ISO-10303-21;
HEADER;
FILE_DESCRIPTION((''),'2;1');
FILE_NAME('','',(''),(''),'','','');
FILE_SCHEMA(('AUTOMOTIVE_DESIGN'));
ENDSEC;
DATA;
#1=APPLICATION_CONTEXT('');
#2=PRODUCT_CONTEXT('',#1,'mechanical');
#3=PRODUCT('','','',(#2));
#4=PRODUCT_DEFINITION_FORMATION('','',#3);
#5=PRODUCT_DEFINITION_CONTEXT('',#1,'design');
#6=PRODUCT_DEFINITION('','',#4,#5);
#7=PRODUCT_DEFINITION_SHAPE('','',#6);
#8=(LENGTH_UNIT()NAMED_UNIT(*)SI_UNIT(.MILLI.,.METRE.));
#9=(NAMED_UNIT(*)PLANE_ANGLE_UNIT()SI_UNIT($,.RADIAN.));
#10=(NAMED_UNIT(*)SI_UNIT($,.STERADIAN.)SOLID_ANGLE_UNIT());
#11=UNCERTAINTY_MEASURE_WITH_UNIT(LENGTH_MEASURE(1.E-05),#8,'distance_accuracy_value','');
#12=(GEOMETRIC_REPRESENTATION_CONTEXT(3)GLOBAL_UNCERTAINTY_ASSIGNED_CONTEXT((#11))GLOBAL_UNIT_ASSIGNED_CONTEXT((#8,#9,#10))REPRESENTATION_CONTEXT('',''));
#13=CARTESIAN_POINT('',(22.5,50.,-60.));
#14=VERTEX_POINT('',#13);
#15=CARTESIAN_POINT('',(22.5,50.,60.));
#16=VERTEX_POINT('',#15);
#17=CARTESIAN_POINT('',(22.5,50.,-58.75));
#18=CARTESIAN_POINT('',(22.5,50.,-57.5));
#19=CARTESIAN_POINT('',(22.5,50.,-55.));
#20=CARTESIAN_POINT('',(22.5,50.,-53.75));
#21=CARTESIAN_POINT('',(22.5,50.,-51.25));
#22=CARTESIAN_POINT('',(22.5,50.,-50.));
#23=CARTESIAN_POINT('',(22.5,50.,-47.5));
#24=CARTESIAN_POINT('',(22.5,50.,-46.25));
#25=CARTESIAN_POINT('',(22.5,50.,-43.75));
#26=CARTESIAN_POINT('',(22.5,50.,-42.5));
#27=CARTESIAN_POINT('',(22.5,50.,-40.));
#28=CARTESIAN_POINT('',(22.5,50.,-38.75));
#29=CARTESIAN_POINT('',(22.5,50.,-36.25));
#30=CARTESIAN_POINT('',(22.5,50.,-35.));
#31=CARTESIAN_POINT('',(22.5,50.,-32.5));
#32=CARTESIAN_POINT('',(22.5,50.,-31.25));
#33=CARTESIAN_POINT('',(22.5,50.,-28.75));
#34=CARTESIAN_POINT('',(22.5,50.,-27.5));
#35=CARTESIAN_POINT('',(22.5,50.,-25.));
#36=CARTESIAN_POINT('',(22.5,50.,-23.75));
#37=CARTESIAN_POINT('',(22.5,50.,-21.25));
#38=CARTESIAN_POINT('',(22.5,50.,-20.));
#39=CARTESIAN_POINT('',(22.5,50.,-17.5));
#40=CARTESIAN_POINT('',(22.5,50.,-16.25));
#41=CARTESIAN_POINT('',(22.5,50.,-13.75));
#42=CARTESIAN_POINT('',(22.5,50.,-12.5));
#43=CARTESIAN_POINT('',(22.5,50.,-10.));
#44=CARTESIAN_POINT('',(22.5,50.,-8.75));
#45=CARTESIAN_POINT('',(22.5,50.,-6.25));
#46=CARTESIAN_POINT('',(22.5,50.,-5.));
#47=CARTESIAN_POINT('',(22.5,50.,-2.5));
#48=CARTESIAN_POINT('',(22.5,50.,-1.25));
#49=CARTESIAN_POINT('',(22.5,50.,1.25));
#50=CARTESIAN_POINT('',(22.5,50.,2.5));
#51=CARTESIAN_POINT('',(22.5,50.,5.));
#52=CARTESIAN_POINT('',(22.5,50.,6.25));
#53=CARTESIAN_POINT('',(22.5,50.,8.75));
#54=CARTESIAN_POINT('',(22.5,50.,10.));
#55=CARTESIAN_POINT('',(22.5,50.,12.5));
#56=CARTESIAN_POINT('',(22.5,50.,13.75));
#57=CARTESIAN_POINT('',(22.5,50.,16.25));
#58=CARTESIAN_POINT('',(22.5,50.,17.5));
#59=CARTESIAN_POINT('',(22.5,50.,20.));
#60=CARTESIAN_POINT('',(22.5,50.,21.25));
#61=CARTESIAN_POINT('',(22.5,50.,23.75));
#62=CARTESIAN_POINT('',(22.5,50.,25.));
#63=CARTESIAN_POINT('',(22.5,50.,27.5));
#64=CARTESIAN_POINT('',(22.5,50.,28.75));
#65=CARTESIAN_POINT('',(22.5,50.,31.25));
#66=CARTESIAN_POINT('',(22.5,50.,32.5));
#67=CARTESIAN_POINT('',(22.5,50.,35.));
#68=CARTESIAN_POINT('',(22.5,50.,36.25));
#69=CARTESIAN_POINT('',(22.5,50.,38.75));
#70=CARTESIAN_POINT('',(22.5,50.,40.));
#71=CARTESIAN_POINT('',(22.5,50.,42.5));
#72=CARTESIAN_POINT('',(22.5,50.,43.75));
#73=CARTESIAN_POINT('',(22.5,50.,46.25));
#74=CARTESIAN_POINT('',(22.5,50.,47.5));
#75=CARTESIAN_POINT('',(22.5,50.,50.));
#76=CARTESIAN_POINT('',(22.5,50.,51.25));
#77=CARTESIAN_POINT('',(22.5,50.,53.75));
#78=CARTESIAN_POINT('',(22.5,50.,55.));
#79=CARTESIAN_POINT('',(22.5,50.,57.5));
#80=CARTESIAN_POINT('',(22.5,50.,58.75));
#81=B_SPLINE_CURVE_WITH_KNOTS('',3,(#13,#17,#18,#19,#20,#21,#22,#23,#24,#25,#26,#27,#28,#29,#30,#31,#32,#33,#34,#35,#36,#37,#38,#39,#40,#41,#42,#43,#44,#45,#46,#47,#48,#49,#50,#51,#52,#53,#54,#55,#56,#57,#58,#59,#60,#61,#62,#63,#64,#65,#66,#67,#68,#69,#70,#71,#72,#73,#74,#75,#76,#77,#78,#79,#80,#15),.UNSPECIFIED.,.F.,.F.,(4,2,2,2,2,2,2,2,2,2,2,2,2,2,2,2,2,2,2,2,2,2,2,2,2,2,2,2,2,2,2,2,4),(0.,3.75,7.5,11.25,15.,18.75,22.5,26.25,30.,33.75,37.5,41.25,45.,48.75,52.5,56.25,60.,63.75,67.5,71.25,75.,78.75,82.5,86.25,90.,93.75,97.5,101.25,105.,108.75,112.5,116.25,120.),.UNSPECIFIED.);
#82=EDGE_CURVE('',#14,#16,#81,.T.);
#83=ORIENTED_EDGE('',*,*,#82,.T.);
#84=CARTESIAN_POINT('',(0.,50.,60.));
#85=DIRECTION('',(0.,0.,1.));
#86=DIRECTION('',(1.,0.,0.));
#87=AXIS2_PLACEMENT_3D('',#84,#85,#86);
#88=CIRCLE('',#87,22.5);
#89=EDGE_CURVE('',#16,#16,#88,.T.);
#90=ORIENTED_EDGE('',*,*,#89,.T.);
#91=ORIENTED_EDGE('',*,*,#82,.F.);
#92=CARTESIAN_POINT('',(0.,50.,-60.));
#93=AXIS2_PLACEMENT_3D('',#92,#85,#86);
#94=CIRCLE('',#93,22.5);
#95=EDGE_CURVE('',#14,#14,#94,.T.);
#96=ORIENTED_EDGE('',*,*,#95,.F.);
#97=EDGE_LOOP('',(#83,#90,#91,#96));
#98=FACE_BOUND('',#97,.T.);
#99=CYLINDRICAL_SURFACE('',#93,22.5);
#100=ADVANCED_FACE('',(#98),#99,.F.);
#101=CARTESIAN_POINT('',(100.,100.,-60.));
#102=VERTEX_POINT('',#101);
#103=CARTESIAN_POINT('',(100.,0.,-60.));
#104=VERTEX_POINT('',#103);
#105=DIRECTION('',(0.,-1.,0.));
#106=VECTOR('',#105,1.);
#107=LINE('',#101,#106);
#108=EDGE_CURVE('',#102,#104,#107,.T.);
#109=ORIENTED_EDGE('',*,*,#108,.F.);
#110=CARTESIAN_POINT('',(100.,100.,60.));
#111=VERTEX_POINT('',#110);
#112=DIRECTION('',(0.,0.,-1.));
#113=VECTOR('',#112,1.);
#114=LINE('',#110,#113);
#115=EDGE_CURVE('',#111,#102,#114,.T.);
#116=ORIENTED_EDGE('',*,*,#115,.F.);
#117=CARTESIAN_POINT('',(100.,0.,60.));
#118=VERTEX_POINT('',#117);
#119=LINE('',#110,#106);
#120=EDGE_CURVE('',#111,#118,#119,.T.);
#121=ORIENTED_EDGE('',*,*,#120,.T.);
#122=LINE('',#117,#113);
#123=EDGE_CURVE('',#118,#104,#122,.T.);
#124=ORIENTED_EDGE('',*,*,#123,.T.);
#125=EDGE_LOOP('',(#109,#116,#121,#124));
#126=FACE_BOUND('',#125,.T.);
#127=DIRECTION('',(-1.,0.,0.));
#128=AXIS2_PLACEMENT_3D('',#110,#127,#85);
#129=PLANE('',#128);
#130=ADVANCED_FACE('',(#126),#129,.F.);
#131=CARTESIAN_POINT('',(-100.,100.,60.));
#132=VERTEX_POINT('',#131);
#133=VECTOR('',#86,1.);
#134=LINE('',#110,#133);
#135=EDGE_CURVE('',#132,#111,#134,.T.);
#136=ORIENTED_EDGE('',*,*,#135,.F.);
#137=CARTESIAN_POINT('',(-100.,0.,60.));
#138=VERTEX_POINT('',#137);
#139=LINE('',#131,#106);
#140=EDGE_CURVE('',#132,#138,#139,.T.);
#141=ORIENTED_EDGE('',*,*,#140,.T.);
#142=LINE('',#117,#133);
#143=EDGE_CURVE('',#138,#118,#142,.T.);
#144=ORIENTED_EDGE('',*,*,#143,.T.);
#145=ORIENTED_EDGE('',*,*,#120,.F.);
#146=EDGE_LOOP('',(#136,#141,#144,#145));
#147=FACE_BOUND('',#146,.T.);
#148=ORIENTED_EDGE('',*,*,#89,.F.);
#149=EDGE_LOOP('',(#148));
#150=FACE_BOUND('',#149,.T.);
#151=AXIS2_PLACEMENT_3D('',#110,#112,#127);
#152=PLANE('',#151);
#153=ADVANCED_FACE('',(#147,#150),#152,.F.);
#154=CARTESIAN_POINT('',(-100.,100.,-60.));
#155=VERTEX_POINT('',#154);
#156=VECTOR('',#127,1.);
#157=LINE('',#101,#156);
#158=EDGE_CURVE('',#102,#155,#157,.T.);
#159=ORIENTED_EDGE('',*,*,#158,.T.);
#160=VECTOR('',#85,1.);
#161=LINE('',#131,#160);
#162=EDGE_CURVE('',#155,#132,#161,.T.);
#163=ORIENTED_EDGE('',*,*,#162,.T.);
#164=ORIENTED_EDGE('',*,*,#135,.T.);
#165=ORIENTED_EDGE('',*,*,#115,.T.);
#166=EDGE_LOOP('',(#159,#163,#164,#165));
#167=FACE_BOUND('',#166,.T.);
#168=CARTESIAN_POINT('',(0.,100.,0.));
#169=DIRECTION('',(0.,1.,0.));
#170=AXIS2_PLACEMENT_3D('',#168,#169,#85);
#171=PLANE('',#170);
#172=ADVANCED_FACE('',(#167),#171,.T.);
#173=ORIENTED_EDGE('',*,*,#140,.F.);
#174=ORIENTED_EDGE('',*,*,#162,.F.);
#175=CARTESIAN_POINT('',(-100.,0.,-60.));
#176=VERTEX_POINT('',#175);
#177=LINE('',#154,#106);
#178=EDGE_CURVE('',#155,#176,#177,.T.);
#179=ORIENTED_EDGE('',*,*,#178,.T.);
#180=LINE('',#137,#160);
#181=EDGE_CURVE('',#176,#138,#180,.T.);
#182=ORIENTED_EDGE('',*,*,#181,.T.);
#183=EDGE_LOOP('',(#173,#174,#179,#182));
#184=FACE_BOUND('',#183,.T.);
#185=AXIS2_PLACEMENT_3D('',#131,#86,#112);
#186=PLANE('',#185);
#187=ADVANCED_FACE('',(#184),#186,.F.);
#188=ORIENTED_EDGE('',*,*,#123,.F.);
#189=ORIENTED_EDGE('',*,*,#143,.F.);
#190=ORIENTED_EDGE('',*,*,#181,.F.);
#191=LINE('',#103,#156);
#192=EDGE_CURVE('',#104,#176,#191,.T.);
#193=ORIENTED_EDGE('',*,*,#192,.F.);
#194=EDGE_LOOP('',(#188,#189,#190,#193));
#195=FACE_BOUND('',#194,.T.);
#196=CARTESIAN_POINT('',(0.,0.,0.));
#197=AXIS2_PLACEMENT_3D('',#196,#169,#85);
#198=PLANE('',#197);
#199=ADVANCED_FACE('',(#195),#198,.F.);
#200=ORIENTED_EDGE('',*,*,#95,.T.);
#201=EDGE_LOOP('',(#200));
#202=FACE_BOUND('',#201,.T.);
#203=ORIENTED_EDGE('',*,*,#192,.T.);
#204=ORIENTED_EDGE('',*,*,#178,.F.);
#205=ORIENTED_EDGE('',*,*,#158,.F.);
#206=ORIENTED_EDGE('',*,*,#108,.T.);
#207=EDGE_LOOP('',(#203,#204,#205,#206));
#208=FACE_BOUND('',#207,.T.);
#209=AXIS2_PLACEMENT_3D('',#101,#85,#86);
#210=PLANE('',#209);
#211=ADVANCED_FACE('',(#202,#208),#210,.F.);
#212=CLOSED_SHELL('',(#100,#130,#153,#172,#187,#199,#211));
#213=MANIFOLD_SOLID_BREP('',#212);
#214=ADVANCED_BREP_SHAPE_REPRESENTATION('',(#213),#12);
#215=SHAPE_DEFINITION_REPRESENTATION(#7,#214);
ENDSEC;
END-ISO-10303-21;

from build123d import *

# Parameters (mm, degrees)
BASESKETCH_W        = 200
BASESKETCH_H        = 120
BOSS_EXTRUDE1_DEPTH = 100
SKETCH2_R           = 22.5
CUT_EXTRUDE1_DEPTH  = 186.47236991


with BuildPart() as part:
    # BaseSketch → Boss-Extrude1 (new body)
    with BuildSketch(Plane(origin=(0, 0, 0), x_dir=(1, 0, 0), z_dir=(0, 1, 0))):
        Rectangle(BASESKETCH_W, BASESKETCH_H)
    extrude(amount=BOSS_EXTRUDE1_DEPTH)

    # Sketch2 → Cut-Extrude1 (cut, through all)
    with BuildSketch(Plane.XY.offset(60)):
        with Locations((0, 50)):
            Circle(SKETCH2_R)
    extrude(amount=-CUT_EXTRUDE1_DEPTH, mode=Mode.SUBTRACT)


solid = part.part
